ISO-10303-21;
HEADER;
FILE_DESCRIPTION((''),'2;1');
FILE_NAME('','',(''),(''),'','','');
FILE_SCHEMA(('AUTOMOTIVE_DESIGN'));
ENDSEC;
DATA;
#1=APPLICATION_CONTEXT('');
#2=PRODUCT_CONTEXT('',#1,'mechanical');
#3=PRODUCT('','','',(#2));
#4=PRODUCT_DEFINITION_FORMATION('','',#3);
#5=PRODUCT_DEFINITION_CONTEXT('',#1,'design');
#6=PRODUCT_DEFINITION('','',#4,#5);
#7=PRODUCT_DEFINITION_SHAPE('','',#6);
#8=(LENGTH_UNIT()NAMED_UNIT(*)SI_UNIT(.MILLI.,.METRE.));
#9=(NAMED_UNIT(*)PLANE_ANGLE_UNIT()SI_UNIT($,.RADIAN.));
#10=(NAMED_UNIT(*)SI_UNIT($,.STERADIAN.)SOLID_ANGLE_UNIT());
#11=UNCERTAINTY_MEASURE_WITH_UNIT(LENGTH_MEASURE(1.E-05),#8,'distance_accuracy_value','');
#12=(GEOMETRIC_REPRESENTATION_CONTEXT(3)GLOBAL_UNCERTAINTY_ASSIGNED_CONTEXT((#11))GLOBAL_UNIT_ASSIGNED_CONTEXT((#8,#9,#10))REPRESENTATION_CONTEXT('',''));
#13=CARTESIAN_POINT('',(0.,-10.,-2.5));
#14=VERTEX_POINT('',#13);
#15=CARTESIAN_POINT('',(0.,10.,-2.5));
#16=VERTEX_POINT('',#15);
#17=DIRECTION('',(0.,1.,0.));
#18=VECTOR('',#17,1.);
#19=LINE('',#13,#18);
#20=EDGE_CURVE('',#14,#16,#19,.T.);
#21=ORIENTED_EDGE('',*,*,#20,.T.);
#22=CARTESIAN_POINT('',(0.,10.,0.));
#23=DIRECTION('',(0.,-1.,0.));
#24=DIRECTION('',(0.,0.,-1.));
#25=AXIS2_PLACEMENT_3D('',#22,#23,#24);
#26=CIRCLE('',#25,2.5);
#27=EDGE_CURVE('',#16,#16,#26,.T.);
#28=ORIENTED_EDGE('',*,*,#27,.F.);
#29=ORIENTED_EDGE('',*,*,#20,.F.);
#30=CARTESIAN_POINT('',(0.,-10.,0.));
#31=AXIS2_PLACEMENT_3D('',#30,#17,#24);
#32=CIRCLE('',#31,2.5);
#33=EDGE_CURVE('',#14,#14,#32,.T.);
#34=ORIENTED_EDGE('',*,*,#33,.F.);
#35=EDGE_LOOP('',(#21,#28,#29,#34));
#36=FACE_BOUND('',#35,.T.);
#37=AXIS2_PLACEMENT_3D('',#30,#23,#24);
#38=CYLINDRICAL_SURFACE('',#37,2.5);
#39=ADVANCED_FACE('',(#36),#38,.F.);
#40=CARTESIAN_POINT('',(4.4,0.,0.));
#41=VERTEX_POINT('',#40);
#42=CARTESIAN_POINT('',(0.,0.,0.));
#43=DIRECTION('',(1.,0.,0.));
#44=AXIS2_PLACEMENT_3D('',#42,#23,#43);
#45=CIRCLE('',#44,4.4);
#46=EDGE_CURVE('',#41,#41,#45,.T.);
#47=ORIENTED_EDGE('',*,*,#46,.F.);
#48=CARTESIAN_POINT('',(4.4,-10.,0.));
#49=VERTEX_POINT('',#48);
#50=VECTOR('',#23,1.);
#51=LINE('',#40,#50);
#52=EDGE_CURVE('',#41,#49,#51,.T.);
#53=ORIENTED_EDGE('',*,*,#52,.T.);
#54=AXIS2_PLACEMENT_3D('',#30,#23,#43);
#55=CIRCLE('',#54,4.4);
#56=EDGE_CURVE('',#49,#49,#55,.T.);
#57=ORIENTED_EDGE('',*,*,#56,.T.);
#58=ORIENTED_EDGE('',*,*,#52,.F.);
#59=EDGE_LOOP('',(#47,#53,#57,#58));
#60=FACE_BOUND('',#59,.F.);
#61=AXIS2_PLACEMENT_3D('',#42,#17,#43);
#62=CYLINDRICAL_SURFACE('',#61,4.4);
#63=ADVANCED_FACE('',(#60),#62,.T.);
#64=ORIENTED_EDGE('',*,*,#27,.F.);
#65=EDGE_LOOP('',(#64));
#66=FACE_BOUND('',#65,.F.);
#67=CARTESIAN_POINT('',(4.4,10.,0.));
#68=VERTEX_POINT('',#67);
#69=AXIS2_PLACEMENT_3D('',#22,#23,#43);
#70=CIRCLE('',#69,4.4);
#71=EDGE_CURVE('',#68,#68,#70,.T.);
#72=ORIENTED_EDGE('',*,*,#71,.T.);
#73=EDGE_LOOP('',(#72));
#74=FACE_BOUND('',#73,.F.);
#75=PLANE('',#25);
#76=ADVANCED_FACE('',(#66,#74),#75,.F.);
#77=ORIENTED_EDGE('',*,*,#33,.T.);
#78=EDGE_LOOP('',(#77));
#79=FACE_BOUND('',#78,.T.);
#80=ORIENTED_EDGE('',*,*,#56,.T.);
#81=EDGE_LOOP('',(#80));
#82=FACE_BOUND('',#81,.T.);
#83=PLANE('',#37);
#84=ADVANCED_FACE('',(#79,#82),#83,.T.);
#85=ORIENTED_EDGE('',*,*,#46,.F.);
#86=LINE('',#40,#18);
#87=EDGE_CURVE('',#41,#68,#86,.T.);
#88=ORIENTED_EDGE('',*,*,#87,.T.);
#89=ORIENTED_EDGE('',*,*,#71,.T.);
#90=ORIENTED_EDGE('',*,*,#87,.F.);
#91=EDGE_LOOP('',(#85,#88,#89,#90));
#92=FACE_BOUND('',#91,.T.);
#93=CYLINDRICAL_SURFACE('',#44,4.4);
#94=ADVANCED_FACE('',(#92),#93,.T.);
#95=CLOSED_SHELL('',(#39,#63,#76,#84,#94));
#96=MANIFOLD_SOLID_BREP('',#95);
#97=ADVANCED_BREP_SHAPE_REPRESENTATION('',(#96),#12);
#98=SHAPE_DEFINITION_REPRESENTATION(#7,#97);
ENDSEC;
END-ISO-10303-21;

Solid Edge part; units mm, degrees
sketch "Sketch1" plane through (0, 0, 0) normal (0, -1, 0) x (1, 0, 0)
  circle A0 centre (0, 0) radius 4.4
extrude "Protrusion1" add sketch "Sketch1" along normal mid plane 20
hole "Hole_1" at (0, -10, 0) direction (0, 1, 0) diameter 5 end up to next
